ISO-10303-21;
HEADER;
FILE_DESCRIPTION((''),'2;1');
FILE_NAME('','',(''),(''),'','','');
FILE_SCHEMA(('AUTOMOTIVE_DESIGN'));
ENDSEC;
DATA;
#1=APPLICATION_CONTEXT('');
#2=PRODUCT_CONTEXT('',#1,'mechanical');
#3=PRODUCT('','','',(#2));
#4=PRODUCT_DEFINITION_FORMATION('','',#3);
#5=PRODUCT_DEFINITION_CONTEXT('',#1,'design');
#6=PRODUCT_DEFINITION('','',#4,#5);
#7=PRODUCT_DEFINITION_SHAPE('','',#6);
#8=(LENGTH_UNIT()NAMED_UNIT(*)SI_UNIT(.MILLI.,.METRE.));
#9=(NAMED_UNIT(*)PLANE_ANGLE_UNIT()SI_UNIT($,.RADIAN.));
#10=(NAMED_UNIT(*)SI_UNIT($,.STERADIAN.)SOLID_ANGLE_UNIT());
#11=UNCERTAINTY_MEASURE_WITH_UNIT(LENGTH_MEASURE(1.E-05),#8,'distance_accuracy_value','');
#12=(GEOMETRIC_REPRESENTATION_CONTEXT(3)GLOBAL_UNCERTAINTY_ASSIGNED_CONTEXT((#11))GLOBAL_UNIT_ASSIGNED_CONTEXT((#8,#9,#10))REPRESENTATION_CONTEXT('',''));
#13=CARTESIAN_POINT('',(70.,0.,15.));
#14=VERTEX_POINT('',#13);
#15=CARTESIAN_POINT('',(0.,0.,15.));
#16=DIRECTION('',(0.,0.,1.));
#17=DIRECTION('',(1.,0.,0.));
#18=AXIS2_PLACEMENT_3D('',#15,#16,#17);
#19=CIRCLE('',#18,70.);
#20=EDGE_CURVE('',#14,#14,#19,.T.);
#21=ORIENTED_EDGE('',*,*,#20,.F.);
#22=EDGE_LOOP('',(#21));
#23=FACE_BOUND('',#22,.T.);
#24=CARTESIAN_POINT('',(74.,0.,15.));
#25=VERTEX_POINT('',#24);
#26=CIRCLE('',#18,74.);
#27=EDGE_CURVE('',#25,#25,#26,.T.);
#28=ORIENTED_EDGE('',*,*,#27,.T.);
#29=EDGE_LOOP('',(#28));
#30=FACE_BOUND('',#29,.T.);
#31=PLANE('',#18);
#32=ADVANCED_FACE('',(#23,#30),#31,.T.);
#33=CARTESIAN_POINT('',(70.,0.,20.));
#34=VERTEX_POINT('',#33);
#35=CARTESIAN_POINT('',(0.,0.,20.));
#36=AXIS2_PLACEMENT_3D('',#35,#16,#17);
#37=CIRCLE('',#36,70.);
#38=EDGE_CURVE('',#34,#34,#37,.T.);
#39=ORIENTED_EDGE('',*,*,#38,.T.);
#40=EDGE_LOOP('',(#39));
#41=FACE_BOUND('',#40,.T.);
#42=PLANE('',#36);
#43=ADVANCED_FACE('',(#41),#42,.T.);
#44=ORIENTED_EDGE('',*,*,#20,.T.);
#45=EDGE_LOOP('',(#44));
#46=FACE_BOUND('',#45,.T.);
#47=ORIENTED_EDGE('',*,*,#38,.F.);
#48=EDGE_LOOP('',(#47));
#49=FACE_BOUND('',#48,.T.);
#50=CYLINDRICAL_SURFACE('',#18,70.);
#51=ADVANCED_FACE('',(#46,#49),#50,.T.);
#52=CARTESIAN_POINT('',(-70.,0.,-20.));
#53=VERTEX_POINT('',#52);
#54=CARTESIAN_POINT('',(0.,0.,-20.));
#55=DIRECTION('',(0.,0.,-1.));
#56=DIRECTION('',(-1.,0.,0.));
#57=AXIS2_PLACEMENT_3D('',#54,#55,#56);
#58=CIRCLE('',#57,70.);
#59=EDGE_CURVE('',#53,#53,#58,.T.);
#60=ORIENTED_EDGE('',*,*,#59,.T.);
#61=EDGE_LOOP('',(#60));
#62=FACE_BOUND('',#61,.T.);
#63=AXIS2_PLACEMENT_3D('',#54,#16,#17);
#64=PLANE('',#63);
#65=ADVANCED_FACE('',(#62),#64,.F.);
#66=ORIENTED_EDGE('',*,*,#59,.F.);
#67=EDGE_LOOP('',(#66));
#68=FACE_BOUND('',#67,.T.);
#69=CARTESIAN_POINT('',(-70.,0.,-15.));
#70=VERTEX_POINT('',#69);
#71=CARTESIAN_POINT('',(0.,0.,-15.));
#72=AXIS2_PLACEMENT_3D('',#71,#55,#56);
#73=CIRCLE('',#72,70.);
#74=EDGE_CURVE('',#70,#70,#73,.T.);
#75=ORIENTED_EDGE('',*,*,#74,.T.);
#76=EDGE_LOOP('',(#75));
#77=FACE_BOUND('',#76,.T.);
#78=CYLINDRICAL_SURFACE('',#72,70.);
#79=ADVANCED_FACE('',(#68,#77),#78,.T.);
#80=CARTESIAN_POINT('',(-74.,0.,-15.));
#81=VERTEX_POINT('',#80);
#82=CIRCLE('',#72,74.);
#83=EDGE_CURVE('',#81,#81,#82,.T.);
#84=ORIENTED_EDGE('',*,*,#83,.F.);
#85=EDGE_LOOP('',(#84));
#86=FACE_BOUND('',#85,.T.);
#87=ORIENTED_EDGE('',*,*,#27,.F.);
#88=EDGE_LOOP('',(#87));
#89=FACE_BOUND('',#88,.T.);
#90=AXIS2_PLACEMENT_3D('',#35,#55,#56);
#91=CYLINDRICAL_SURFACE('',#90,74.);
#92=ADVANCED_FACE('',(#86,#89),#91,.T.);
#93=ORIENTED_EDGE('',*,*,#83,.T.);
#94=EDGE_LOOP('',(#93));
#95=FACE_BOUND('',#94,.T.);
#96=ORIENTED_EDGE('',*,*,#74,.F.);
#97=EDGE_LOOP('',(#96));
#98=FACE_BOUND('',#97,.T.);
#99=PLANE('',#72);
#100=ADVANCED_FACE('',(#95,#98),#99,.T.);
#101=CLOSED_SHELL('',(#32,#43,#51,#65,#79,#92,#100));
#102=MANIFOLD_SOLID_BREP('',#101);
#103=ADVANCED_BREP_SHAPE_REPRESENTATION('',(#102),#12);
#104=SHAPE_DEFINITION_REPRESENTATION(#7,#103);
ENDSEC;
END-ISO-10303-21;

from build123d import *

# Parameters (mm, degrees)
SKETCH1_R           = 74
BOSS_EXTRUDE1_DEPTH = 20
SKETCH2_R           = 74
SKETCH2_R_2         = 70
CUT_EXTRUDE1_DEPTH  = 5
CUT_EXTRUDE2_START  = -5
SKETCH3_R           = 74
SKETCH3_R_2         = 70
CUT_EXTRUDE2_DEPTH  = 5


with BuildPart() as part:
    # Sketch1 → Boss-Extrude1 (new, symmetric)
    with BuildSketch(Plane.XY):
        Circle(SKETCH1_R)
    extrude(amount=BOSS_EXTRUDE1_DEPTH, both=True)

    # Sketch2 → Cut-Extrude1 (cut)
    with BuildSketch(Plane.XY.offset(20)):
        Circle(SKETCH2_R)
        Circle(SKETCH2_R_2, mode=Mode.SUBTRACT)
    extrude(amount=-CUT_EXTRUDE1_DEPTH, mode=Mode.SUBTRACT)

    # Sketch3 → Cut-Extrude2 (cut)
    with BuildSketch(Plane(origin=(0, 0, -20), x_dir=(-1, 0, 0), z_dir=(0, 0, -1)).offset(CUT_EXTRUDE2_START)):
        Circle(SKETCH3_R)
        with Locations(Location((0, 0, 0), (0, 0, 180))):
            Circle(SKETCH3_R_2, mode=Mode.SUBTRACT)
    extrude(amount=CUT_EXTRUDE2_DEPTH, mode=Mode.SUBTRACT)


solid = part.part
